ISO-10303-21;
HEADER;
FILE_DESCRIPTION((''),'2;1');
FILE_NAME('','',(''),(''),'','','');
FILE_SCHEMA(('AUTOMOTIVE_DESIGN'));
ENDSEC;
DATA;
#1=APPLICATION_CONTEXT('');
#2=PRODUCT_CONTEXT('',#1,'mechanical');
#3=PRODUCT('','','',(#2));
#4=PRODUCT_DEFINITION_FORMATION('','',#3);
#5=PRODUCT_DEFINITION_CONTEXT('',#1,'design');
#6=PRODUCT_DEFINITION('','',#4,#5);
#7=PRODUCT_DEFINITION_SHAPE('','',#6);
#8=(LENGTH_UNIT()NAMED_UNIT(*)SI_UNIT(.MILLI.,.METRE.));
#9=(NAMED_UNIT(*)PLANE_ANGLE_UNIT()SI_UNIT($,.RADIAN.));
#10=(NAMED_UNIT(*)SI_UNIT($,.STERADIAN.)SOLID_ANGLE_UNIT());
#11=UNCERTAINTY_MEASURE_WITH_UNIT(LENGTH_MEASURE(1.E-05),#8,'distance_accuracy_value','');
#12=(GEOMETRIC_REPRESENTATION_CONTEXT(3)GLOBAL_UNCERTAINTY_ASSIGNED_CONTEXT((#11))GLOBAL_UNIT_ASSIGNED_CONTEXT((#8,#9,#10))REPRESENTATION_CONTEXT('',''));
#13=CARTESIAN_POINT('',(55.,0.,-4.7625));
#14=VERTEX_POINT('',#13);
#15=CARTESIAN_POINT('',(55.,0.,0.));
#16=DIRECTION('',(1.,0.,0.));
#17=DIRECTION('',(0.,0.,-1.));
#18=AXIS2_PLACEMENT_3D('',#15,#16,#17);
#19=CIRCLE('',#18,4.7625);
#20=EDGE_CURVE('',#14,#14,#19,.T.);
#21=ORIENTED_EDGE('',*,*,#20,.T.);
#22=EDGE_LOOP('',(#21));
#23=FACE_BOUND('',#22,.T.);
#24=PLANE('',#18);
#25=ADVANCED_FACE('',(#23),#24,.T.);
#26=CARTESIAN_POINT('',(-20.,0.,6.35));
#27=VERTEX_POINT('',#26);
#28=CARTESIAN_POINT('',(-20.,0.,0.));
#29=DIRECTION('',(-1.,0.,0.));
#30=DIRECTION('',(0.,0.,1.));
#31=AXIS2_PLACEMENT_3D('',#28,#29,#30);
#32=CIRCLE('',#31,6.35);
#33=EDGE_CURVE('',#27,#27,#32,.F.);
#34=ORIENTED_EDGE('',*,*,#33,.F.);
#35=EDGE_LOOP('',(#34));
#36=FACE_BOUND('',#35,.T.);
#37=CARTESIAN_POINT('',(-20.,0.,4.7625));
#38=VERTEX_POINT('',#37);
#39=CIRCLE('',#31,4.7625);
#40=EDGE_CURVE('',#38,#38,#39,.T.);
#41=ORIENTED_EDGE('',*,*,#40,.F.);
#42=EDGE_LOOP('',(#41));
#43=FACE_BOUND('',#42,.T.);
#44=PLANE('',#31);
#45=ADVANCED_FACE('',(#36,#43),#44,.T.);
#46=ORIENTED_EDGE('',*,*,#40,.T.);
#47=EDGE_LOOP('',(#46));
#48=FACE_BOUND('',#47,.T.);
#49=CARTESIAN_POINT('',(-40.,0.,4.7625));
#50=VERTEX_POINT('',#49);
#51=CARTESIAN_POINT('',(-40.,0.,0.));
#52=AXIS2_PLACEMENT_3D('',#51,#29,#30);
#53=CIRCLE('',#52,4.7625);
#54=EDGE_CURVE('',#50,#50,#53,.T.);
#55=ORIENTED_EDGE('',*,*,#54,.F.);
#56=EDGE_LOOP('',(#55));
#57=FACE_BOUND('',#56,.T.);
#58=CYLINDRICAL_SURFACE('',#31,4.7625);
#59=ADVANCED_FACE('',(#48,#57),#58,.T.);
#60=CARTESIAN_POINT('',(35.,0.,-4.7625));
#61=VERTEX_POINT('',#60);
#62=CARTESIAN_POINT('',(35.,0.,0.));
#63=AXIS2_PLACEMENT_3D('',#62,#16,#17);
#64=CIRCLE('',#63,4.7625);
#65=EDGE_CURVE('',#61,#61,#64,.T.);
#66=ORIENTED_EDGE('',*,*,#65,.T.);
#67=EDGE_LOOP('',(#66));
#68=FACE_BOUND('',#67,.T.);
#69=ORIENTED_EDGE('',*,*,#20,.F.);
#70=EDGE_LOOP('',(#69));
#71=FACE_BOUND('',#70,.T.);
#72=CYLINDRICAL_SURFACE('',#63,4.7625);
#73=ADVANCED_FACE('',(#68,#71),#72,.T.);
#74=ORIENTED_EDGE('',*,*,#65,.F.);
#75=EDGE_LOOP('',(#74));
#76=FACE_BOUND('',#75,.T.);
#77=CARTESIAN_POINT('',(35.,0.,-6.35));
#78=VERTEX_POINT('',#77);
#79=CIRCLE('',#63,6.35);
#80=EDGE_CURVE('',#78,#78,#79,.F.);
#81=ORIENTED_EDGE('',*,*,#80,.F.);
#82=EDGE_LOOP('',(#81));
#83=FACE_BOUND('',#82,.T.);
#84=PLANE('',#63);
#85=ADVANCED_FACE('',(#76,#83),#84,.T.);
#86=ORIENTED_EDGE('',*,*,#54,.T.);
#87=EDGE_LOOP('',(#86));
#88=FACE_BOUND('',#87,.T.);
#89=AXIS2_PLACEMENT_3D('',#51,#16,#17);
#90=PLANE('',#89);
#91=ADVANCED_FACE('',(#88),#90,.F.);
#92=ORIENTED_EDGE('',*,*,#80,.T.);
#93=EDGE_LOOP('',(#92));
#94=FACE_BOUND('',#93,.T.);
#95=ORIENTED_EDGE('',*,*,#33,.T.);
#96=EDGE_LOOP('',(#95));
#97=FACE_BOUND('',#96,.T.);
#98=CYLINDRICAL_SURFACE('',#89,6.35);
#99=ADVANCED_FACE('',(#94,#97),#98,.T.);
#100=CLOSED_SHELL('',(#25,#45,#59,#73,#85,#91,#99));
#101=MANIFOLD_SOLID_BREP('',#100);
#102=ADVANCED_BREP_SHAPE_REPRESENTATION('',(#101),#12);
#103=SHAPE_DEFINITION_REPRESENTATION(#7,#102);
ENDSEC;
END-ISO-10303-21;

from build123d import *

# Parameters (mm, degrees)
SKETCH1_R                = 6.35
BOSS_EXTRUDE1_DEPTH      = 55
BOSS_EXTRUDE1_DEPTH_BACK = 40
SKETCH2_OUTSIDE_W        = 34.036
SKETCH2_OUTSIDE_H        = 34.036
SKETCH2_OUTSIDE_R        = 4.7625
CUT_EXTRUDE1_DEPTH       = 20
SKETCH3_OUTSIDE_W        = 34.036
SKETCH3_OUTSIDE_H        = 34.036
SKETCH3_OUTSIDE_R        = 4.7625
CUT_EXTRUDE2_DEPTH       = 20


with BuildPart() as part:
    # Sketch1 → Boss-Extrude1 (new body, two sides)
    with BuildSketch(Plane(origin=(0, 0, 0), x_dir=(0, 0, -1), z_dir=(1, 0, 0))) as boss_extrude1_sk:
        Circle(SKETCH1_R)
    extrude(amount=BOSS_EXTRUDE1_DEPTH)
    extrude(boss_extrude1_sk.sketch, amount=-BOSS_EXTRUDE1_DEPTH_BACK)

    # Sketch2 outside → Cut-Extrude1 (cut)
    with BuildSketch(Plane.ZY.offset(40)):
        Rectangle(SKETCH2_OUTSIDE_W, SKETCH2_OUTSIDE_H)
        Circle(SKETCH2_OUTSIDE_R, mode=Mode.SUBTRACT)
    extrude(amount=-CUT_EXTRUDE1_DEPTH, mode=Mode.SUBTRACT)

    # Sketch3 outside → Cut-Extrude2 (cut)
    with BuildSketch(Plane(origin=(55, 0, 0), x_dir=(0, 0, -1), z_dir=(1, 0, 0))):
        Rectangle(SKETCH3_OUTSIDE_W, SKETCH3_OUTSIDE_H)
        Circle(SKETCH3_OUTSIDE_R, mode=Mode.SUBTRACT)
    extrude(amount=-CUT_EXTRUDE2_DEPTH, mode=Mode.SUBTRACT)


solid = part.part
